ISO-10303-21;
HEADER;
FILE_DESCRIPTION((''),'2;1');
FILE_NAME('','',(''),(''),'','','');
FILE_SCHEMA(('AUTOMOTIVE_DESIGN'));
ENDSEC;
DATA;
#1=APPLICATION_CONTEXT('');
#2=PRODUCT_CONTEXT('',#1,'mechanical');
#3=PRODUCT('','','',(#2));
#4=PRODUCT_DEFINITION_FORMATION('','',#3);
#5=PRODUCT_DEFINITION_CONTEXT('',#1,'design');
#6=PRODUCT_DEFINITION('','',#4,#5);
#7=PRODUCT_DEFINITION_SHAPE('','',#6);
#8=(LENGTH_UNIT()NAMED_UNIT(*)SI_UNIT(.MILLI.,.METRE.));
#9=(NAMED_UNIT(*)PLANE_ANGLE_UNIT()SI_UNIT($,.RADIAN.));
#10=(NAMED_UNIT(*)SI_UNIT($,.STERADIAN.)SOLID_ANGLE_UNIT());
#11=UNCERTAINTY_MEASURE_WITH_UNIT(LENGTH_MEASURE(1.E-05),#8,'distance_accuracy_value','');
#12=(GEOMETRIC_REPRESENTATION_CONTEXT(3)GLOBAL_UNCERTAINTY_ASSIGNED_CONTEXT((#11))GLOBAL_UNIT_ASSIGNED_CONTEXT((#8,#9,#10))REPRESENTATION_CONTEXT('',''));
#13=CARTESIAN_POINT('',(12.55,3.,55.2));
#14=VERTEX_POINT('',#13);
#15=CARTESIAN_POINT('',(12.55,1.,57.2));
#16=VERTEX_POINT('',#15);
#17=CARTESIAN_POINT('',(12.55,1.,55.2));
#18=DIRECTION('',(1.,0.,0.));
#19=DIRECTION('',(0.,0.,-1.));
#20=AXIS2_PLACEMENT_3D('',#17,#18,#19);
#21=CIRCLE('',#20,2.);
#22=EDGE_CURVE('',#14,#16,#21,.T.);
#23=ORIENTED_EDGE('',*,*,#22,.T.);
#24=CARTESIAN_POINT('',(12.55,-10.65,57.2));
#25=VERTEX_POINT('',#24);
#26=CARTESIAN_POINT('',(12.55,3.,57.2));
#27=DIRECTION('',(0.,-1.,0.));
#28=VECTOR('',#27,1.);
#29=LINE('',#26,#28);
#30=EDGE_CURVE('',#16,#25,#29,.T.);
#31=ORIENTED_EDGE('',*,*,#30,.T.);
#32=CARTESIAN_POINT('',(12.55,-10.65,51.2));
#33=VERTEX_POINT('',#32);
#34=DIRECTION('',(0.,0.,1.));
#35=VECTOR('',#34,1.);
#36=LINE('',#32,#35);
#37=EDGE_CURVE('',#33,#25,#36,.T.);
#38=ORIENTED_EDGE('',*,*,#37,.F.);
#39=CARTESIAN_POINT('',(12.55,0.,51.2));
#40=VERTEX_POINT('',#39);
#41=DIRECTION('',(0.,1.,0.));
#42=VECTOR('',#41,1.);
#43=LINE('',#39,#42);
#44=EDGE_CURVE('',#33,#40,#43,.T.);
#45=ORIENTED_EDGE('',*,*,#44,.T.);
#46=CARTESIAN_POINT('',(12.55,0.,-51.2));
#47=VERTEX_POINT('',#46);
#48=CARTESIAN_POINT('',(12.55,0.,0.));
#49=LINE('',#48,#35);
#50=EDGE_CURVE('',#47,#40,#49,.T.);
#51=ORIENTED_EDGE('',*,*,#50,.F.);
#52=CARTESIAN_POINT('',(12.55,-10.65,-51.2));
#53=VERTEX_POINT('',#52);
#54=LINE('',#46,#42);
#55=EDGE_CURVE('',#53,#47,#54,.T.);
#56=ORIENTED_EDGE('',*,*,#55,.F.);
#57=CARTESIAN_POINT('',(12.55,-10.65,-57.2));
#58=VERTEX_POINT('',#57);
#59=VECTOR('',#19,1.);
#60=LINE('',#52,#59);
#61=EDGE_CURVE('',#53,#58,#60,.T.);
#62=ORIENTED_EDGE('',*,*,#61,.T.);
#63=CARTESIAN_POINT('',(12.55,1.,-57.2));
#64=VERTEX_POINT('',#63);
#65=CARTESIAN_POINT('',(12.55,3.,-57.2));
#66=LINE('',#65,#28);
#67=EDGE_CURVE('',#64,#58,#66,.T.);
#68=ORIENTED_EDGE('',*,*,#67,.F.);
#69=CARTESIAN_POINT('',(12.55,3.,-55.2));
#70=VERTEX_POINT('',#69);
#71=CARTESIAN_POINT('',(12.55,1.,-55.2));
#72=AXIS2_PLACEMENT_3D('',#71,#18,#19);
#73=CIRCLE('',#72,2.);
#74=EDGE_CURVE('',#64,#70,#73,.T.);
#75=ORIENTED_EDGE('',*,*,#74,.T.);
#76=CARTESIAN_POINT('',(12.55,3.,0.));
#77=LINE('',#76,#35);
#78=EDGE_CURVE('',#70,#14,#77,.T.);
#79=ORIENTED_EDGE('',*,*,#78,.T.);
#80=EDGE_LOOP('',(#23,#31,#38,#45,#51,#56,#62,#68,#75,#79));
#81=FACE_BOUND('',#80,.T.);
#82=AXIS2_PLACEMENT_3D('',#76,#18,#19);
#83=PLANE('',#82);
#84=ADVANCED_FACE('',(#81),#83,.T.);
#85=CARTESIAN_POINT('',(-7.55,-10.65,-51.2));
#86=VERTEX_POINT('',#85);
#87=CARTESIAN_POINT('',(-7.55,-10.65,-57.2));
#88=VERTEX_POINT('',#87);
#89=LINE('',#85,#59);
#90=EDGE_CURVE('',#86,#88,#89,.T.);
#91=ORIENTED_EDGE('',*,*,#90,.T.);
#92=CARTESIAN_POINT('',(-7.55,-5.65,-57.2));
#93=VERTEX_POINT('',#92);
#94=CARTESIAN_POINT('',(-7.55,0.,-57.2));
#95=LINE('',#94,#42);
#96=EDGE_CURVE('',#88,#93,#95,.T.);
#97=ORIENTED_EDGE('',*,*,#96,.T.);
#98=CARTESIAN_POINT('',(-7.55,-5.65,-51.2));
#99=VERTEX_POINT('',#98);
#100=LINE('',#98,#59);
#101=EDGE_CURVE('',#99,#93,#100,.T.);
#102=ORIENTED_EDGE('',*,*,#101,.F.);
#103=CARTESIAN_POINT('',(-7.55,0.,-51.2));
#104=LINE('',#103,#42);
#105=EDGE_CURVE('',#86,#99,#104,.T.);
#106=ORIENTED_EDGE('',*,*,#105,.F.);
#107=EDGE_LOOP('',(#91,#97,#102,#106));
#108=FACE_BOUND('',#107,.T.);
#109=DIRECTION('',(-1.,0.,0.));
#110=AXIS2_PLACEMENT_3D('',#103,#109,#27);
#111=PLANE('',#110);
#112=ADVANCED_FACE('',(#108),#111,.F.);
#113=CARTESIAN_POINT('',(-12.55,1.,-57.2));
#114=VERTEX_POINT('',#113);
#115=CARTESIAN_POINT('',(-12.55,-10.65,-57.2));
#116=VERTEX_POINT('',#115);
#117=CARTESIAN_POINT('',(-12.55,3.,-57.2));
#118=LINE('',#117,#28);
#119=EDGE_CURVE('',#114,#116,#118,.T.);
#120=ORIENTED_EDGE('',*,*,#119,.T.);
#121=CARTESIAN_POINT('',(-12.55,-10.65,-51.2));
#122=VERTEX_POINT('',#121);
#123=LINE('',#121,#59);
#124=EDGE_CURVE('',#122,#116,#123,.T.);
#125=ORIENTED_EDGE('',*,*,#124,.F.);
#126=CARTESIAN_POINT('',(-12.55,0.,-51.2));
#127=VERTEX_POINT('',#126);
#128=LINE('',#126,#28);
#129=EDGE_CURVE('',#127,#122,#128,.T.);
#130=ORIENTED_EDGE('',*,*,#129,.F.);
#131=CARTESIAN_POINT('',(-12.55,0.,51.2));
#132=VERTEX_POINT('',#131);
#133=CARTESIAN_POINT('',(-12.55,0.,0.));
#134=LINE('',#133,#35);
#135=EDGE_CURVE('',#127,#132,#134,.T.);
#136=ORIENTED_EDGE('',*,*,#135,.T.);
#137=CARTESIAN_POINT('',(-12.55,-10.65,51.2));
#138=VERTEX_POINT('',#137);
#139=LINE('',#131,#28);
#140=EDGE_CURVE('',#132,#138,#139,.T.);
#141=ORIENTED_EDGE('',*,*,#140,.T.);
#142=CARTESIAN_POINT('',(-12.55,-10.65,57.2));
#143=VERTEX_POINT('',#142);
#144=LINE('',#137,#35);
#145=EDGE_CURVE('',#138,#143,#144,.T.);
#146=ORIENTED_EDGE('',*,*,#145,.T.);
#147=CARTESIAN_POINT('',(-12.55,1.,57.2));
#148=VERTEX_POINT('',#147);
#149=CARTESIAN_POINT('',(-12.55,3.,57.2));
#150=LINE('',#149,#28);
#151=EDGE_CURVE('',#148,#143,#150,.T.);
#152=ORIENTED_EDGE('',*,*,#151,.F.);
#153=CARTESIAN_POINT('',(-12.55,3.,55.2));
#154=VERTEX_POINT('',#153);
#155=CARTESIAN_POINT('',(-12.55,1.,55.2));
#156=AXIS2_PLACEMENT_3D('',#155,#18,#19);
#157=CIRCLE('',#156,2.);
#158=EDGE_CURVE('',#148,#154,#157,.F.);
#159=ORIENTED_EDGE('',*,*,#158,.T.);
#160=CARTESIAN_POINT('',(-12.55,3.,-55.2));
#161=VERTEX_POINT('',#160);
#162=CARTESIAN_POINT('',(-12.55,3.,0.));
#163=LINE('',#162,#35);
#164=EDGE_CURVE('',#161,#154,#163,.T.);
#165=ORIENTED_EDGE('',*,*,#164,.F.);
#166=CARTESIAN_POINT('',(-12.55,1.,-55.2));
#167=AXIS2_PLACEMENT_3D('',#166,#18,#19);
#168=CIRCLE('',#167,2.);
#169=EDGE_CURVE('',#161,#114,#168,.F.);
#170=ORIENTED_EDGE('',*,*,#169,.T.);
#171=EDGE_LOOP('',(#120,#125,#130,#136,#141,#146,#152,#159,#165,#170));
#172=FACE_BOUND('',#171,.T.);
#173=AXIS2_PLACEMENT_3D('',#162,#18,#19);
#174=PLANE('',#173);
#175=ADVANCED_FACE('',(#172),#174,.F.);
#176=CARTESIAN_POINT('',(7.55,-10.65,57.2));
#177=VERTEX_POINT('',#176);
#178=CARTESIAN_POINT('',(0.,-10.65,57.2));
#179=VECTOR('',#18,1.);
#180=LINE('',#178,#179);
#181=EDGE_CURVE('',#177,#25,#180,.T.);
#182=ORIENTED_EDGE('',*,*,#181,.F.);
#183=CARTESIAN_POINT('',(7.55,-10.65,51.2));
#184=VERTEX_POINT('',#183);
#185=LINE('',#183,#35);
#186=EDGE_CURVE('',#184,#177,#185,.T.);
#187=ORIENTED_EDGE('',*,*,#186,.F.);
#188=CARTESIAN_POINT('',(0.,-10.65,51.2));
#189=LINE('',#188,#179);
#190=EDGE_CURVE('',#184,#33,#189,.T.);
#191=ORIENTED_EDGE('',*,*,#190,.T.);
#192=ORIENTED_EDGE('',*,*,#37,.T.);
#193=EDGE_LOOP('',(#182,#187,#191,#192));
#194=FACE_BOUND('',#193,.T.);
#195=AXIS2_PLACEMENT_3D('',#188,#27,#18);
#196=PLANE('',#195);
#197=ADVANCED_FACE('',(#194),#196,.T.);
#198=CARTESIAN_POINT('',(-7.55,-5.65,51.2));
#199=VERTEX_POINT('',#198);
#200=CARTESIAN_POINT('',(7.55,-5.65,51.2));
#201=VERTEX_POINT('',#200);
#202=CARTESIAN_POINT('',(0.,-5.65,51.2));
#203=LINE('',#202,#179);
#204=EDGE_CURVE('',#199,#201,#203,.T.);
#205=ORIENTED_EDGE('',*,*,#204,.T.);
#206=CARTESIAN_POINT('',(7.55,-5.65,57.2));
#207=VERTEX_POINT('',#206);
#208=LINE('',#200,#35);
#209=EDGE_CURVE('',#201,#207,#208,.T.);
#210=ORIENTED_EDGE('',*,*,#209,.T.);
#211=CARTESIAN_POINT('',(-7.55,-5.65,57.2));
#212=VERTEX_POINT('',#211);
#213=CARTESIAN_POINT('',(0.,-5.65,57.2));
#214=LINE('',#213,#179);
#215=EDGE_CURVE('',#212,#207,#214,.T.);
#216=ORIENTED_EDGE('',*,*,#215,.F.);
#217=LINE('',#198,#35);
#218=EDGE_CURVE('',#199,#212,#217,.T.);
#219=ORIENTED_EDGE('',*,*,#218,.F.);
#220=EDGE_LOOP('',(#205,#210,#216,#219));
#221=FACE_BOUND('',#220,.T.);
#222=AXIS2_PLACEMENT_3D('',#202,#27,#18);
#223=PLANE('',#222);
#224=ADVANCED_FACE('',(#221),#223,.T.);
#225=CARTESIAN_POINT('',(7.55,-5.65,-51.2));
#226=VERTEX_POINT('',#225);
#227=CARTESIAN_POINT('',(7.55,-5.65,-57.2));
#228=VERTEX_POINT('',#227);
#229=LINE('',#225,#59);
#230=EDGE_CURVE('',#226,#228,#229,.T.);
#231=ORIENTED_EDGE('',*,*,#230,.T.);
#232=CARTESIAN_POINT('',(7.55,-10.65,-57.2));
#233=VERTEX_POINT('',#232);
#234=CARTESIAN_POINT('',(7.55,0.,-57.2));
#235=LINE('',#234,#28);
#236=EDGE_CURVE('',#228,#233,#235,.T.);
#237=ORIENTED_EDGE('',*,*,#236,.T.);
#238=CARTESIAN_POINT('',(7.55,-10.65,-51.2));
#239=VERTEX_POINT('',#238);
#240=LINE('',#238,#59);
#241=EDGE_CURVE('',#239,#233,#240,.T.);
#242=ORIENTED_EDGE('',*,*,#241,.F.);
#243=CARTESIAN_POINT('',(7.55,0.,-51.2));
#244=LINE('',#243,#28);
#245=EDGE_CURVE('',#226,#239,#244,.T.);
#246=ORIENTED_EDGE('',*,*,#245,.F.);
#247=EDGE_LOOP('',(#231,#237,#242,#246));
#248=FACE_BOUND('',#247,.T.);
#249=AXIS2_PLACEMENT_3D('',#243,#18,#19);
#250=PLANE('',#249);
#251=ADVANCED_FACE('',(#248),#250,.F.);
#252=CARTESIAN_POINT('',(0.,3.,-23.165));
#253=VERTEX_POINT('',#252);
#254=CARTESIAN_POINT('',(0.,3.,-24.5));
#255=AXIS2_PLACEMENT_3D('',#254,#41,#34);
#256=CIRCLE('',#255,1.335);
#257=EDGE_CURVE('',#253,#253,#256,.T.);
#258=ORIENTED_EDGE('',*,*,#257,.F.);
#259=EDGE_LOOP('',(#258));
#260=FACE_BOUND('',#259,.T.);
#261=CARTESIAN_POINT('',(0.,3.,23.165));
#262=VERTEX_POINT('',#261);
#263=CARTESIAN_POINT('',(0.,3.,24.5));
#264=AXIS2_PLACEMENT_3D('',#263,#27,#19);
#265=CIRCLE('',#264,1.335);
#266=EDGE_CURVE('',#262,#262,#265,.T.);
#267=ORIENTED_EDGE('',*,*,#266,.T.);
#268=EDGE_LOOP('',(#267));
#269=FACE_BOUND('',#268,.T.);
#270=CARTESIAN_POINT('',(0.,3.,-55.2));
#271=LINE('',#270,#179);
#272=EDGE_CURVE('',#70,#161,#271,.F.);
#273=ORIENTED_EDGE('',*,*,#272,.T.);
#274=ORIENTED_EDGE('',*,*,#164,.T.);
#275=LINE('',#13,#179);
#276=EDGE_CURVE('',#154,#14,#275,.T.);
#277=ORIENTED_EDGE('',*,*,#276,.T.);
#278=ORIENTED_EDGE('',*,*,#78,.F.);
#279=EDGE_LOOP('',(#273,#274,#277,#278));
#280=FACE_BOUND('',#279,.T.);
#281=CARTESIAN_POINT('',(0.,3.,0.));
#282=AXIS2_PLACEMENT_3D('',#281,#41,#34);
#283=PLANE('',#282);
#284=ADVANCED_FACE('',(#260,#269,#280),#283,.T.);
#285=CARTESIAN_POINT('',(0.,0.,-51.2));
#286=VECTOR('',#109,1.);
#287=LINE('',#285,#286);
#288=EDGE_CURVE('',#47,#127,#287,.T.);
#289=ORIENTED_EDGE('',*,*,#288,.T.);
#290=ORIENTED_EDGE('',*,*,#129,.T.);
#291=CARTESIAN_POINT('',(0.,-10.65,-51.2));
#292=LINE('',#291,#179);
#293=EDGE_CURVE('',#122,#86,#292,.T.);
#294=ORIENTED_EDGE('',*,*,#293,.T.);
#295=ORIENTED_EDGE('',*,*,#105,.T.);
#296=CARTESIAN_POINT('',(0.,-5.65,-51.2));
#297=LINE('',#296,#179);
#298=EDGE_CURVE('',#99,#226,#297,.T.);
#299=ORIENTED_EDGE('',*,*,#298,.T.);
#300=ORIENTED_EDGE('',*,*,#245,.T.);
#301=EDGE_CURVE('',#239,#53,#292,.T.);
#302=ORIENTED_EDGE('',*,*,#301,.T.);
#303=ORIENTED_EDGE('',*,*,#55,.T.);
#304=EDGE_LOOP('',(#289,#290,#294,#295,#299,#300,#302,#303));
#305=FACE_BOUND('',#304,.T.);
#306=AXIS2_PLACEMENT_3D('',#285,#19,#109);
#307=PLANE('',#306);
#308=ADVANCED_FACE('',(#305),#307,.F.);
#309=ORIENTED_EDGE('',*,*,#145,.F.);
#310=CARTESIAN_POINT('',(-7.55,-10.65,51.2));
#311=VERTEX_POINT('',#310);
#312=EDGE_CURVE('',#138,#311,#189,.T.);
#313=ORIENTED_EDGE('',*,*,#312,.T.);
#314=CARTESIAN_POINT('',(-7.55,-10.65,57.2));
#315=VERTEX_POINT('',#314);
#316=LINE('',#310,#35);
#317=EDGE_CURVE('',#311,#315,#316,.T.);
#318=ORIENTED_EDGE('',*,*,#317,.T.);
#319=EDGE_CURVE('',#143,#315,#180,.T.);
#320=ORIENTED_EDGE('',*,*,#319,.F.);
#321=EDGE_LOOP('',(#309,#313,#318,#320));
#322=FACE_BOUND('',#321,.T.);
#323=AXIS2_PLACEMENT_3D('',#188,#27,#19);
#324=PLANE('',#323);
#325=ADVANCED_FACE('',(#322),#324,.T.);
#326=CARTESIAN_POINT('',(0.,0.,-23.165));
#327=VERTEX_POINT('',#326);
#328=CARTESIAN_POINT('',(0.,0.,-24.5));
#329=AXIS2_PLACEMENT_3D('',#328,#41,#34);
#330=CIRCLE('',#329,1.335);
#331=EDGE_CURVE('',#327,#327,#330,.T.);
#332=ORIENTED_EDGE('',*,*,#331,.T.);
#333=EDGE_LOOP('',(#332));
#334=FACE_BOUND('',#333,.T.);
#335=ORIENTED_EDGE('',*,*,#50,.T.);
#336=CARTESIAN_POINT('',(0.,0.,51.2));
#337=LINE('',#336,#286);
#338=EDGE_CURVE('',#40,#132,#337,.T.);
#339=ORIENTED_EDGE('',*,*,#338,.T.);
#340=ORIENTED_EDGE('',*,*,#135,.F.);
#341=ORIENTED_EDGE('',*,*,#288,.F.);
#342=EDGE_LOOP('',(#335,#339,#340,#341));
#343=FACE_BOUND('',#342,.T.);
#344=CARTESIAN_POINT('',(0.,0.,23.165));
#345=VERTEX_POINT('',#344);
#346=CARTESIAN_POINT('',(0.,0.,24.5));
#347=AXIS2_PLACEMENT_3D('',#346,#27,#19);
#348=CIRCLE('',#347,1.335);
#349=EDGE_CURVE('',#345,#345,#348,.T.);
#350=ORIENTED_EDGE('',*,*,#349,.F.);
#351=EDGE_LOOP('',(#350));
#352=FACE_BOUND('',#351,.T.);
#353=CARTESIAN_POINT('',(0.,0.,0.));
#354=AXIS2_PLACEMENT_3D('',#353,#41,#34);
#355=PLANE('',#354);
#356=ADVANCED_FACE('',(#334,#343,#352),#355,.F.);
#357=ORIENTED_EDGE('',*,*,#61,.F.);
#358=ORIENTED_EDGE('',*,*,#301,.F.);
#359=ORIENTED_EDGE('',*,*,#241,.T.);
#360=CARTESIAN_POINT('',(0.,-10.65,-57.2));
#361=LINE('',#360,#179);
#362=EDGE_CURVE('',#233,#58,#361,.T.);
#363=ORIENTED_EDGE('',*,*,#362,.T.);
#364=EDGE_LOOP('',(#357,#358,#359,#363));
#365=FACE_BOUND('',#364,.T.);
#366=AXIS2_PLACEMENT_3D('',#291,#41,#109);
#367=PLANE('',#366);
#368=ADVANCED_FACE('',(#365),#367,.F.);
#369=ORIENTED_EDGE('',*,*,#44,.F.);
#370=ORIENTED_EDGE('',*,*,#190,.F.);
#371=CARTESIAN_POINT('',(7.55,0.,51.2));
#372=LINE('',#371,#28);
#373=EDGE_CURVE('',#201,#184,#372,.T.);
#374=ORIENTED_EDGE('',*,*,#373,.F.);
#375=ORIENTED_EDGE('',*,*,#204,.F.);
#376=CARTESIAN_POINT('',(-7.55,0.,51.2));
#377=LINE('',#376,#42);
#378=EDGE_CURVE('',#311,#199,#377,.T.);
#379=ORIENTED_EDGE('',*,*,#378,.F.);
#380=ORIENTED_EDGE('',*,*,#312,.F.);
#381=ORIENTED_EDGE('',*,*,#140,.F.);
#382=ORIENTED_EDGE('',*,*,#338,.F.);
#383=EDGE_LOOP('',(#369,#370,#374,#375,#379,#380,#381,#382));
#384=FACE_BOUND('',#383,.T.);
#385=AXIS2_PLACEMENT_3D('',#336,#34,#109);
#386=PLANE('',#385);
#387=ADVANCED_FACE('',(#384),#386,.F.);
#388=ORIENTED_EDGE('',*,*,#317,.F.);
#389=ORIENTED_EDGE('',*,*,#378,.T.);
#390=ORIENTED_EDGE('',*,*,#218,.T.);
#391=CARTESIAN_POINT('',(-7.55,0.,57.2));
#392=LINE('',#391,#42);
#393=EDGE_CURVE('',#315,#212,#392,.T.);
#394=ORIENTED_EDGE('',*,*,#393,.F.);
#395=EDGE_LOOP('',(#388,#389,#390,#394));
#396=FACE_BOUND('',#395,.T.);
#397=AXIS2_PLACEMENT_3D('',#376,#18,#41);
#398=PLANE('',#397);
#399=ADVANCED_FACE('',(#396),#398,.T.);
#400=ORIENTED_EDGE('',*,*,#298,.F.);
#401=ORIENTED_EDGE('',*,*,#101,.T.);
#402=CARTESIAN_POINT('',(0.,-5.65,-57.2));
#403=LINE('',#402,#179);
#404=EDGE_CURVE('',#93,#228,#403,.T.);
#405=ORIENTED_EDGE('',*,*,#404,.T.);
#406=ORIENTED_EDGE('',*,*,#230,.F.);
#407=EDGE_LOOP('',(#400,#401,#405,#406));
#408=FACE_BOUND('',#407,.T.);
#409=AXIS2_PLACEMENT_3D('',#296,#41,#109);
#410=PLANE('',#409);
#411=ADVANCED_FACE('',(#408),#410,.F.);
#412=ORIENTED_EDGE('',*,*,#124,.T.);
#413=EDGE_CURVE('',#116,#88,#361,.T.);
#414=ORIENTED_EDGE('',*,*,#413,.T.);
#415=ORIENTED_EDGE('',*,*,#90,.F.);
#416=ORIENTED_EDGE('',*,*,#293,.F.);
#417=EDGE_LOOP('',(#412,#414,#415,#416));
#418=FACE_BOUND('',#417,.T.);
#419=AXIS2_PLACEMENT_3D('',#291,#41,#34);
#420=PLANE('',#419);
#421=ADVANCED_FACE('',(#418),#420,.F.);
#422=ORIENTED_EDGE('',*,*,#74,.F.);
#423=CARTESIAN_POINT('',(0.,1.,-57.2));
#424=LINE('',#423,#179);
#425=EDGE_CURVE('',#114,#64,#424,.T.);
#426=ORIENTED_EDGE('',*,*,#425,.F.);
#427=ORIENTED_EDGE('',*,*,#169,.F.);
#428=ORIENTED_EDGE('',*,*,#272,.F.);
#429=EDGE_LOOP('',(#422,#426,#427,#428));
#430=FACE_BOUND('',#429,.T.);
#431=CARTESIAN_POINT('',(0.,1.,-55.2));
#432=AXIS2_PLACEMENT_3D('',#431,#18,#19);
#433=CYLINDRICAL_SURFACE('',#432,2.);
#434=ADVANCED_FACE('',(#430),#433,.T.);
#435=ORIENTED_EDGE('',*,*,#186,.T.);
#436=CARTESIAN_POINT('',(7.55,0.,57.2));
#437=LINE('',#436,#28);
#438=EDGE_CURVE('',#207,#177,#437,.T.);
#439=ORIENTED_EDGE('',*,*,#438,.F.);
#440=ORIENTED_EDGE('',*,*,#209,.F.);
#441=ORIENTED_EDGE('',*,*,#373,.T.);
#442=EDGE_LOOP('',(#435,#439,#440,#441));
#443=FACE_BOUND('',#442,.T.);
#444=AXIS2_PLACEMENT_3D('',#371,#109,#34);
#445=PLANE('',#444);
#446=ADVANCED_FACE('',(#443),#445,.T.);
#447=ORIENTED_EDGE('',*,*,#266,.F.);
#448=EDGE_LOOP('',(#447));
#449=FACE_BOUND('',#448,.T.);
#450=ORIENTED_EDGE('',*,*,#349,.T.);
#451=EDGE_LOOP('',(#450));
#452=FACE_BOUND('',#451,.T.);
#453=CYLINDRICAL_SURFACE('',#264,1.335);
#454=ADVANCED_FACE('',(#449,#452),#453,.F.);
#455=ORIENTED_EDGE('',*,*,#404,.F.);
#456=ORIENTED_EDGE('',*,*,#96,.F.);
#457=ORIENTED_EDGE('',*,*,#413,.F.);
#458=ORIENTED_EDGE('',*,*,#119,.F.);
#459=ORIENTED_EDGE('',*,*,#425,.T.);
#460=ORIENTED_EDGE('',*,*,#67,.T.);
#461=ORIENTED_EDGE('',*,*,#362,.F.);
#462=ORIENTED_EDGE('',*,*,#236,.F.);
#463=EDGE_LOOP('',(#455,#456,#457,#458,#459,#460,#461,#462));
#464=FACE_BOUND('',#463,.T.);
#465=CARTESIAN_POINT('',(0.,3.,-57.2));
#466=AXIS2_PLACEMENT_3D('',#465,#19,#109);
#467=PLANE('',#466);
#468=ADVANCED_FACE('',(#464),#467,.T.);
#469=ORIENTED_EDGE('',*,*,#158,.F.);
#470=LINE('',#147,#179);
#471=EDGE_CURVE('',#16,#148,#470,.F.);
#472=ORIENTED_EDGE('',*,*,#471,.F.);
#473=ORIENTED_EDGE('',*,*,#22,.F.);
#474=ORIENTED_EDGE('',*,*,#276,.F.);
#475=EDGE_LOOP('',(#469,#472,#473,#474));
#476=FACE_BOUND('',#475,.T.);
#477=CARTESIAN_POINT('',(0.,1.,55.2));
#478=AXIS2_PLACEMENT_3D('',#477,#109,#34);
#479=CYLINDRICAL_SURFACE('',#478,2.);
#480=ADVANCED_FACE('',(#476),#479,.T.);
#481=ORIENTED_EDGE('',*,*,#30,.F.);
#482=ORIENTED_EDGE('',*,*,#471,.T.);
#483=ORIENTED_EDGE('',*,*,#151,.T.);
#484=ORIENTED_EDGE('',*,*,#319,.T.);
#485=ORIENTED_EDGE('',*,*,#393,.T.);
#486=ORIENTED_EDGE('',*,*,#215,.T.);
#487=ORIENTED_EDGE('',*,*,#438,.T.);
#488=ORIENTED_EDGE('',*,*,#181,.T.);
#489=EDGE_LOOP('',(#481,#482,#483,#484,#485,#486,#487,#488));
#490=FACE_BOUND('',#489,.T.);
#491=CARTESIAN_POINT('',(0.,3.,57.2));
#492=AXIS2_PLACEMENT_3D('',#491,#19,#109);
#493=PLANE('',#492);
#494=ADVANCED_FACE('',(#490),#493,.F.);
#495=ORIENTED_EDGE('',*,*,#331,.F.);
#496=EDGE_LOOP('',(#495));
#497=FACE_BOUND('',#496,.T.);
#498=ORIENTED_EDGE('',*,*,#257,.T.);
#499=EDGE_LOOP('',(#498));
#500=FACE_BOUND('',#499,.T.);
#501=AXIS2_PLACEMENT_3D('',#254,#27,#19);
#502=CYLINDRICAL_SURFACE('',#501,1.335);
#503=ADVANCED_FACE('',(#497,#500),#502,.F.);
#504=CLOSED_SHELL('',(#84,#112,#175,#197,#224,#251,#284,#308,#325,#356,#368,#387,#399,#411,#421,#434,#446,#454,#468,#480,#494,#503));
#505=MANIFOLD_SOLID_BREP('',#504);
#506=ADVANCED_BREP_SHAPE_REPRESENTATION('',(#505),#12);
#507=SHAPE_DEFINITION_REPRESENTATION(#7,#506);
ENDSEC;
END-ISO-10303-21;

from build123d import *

# Parameters (mm, degrees)
SKETCH2_W           = 25.1
SKETCH2_H           = 57.2
SKETCH2_R           = 1.335
BOSS_EXTRUDE1_DEPTH = 3
BOSS_EXTRUDE2_DEPTH = 6
FILLET1_R           = 2


with BuildPart() as part:
    # Sketch2 → Boss-Extrude1 (new body)
    with BuildSketch(Plane(origin=(0, 0, 0), x_dir=(1, 0, 0), z_dir=(0, 1, 0))):
        with Locations((0, 28.6)):
            Rectangle(SKETCH2_W, SKETCH2_H)
        with Locations((0, 24.5)):
            Circle(SKETCH2_R, mode=Mode.SUBTRACT)
    boss_extrude1 = extrude(amount=BOSS_EXTRUDE1_DEPTH)

    # Sketch4 → Boss-Extrude2 (add)
    with BuildSketch(Plane(origin=(0, 0, -57.2), x_dir=(-1, 0, 0), z_dir=(0, 0, -1))):
        Polygon((12.55, 0), (-12.55, 0), (-12.55, -10.65), (-7.55, -10.65), (-7.55, -5.65), (7.55, -5.65), (7.55, -10.65), (12.55, -10.65), align=None)
    boss_extrude2 = extrude(amount=-BOSS_EXTRUDE2_DEPTH)

    # Mirror1: Boss-Extrude1, Boss-Extrude2 across plane
    add(boss_extrude1.mirror(Plane.XY))
    add(boss_extrude2.mirror(Plane.XY))

    # Fillet1
    fillet1_edges = [part.edges().sort_by_distance(p)[0] for p in [
        (0, 3, -57.2),
        (0, 3, 57.2),
    ]]
    fillet(fillet1_edges, radius=FILLET1_R)


solid = part.part
